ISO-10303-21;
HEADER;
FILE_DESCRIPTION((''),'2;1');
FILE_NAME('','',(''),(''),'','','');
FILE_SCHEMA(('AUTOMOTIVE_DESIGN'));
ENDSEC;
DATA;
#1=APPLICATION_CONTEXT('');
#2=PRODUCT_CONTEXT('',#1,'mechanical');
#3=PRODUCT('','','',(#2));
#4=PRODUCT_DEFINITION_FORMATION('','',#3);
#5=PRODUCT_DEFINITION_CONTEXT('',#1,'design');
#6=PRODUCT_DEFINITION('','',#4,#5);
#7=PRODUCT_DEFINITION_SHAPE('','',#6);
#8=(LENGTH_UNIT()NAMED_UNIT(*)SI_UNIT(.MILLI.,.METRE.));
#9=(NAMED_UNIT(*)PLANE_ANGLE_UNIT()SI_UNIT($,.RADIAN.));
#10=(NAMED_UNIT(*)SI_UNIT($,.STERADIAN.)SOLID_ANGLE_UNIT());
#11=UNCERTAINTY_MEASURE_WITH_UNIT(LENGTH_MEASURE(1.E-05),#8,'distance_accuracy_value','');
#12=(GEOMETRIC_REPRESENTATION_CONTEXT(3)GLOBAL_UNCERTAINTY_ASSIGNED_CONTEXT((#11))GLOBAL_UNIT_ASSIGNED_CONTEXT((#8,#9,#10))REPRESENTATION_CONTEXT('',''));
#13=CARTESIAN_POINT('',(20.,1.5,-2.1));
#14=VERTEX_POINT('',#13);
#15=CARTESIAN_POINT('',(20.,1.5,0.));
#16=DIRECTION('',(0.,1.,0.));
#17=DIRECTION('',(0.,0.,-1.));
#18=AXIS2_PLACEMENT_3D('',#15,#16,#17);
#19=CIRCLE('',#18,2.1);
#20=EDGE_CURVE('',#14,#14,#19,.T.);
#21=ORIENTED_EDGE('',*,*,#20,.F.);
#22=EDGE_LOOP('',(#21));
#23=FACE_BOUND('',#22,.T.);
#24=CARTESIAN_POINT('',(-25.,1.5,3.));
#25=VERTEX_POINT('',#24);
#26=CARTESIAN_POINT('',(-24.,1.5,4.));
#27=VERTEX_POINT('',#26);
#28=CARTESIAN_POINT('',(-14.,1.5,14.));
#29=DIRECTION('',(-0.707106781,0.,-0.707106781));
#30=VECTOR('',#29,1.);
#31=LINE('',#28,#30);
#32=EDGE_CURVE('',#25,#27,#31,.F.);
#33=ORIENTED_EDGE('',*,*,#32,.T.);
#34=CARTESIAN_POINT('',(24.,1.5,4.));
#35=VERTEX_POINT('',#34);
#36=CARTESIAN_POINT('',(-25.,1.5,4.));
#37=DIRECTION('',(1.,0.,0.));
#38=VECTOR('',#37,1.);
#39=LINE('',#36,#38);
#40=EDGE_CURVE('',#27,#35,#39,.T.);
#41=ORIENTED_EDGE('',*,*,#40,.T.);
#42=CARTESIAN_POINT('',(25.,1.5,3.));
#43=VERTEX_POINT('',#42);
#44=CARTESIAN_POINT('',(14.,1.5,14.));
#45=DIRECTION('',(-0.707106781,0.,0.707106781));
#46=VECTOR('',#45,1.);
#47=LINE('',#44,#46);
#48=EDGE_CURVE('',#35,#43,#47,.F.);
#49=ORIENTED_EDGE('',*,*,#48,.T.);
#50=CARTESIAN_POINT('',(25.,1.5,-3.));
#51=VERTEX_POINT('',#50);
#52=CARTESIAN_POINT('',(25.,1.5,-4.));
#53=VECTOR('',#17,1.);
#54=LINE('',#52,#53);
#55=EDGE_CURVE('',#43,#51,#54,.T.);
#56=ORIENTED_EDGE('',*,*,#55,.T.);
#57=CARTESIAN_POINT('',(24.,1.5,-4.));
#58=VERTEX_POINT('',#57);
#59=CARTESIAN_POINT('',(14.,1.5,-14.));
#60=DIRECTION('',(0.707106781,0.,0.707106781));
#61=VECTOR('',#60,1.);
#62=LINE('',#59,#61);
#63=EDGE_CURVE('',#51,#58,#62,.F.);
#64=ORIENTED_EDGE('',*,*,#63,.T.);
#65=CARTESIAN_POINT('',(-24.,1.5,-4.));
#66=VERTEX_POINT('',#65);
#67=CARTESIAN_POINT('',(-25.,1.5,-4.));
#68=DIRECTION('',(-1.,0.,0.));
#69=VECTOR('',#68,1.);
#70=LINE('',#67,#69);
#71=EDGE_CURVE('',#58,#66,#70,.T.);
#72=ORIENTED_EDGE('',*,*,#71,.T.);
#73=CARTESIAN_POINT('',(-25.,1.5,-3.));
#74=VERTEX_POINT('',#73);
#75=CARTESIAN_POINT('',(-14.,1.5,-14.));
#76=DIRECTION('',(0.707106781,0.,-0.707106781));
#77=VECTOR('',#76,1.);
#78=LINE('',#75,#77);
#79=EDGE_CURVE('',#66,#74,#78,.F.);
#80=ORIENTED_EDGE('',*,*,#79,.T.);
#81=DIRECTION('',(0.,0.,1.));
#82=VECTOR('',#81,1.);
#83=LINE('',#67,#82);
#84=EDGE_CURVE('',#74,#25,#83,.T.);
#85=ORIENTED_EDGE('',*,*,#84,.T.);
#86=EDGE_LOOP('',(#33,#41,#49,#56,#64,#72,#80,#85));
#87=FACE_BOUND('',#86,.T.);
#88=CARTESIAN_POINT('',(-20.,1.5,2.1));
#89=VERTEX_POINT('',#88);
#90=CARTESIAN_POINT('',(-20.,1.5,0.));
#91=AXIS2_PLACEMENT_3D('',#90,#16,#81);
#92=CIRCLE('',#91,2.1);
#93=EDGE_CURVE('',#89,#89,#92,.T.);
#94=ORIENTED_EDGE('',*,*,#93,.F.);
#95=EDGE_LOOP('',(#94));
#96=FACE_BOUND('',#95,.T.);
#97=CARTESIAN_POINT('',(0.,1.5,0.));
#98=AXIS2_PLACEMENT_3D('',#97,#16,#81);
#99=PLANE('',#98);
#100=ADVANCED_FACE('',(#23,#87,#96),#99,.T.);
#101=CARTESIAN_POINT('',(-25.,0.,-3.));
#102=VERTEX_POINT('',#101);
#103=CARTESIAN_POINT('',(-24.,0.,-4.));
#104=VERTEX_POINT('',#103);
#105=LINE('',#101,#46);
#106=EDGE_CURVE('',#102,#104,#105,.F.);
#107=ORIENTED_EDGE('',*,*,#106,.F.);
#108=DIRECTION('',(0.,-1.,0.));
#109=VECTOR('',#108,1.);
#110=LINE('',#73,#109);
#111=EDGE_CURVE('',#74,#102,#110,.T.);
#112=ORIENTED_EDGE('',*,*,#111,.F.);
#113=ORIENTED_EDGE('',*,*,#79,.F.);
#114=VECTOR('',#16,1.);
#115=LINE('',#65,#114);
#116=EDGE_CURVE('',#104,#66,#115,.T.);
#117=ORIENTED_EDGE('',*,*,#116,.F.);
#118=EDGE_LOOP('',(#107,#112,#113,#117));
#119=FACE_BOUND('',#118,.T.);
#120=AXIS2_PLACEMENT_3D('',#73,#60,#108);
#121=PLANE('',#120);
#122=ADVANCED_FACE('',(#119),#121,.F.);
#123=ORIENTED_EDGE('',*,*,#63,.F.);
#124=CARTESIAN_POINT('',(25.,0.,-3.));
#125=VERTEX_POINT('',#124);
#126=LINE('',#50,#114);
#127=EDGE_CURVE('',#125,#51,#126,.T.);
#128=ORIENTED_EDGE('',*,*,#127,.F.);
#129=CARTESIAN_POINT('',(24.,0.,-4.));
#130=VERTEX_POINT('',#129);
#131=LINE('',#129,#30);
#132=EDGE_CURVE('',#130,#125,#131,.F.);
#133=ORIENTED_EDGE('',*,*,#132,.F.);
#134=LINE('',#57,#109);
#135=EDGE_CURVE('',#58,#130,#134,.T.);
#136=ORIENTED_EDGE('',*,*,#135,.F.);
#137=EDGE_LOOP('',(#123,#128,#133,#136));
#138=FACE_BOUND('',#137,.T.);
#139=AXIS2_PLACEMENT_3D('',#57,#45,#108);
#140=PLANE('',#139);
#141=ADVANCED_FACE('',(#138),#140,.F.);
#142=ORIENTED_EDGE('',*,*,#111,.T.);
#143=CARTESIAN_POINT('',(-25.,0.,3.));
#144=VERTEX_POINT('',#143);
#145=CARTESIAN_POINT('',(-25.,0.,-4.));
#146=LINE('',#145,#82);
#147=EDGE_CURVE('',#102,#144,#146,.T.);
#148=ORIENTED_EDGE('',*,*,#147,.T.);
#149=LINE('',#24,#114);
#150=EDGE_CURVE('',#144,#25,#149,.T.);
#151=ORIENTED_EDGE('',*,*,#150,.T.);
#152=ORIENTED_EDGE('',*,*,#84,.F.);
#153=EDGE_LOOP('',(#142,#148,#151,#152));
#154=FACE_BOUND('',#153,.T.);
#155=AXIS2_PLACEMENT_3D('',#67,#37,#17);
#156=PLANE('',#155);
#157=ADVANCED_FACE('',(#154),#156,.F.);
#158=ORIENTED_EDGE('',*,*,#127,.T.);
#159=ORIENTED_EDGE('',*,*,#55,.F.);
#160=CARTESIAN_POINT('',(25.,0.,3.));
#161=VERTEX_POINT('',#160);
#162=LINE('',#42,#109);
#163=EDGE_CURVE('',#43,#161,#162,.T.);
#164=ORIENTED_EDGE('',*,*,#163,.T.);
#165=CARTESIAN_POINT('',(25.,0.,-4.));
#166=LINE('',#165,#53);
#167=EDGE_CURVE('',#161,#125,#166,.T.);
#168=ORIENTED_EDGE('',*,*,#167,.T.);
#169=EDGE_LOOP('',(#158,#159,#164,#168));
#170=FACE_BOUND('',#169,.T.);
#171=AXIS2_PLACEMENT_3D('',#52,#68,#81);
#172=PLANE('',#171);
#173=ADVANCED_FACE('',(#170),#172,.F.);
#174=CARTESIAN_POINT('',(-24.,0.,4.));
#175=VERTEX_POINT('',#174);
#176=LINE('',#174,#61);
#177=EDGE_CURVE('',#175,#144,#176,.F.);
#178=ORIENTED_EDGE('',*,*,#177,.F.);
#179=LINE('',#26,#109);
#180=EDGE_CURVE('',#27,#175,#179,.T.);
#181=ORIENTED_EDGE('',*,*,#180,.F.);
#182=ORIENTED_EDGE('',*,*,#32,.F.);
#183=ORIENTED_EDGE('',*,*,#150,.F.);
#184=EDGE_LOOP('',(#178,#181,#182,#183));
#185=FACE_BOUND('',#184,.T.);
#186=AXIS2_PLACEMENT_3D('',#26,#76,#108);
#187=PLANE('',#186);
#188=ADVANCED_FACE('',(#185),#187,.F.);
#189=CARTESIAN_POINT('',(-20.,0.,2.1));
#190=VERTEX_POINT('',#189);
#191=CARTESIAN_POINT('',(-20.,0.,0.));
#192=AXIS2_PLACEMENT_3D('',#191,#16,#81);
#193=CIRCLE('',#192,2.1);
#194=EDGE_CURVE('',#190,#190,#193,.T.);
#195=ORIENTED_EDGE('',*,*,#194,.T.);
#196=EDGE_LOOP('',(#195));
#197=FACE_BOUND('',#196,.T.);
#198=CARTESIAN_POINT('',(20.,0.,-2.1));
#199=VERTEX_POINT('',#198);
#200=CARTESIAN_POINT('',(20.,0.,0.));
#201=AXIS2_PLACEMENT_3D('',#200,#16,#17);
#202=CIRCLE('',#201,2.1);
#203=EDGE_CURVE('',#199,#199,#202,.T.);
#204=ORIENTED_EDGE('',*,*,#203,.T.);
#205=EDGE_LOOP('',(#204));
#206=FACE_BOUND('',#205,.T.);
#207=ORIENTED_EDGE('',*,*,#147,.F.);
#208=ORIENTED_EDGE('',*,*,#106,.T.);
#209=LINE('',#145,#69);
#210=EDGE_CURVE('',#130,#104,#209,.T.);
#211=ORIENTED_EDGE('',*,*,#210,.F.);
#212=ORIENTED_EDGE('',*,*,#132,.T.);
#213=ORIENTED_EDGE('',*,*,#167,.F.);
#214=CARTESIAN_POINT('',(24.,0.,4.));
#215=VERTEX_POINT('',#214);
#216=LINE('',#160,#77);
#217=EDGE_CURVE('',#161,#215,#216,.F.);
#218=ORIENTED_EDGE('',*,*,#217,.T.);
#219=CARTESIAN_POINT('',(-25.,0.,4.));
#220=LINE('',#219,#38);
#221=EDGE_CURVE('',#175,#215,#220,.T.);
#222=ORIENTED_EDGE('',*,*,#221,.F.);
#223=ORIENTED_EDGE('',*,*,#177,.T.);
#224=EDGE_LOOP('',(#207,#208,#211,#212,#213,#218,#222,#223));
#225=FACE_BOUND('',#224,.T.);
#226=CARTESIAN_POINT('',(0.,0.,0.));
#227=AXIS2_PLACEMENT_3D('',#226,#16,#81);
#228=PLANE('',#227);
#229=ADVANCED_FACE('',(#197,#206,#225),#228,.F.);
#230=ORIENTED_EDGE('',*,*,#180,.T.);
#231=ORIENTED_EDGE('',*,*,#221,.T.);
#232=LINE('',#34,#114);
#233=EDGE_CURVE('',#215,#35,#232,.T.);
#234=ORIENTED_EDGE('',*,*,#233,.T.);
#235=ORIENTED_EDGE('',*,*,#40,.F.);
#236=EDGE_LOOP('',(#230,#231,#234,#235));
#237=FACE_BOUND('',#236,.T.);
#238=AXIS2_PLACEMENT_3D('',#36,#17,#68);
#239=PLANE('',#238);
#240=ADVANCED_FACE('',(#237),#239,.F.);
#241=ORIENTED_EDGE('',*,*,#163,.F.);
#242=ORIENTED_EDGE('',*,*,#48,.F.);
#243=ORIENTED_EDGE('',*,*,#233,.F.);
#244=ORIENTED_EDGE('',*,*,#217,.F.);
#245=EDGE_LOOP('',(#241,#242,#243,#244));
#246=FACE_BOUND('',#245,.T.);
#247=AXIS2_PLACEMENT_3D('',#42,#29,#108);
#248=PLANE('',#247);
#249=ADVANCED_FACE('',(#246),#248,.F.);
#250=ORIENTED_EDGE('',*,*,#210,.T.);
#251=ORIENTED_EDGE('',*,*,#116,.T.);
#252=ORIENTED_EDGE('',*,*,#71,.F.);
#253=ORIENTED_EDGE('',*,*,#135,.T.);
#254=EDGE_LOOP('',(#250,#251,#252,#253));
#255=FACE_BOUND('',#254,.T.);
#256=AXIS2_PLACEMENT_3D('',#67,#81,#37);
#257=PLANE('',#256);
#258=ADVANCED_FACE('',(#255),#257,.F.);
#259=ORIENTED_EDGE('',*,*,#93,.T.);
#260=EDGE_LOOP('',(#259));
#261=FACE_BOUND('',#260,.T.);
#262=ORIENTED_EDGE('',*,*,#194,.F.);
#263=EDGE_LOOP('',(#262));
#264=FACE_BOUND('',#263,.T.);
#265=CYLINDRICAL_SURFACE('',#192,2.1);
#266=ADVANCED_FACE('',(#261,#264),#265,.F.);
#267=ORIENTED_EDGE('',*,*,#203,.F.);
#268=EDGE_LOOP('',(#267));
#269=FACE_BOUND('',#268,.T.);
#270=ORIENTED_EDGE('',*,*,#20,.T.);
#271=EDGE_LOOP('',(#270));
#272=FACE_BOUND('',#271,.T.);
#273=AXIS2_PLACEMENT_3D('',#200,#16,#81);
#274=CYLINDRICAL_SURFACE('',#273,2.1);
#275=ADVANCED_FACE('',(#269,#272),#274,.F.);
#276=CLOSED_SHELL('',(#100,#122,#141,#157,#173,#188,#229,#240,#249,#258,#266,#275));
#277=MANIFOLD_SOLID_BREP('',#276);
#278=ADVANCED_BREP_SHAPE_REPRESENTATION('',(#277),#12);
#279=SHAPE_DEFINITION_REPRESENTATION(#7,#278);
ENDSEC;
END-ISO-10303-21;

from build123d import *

# Parameters (mm, degrees)
SKETCH_1_W          = 50
SKETCH_1_H          = 8
EXTRUDE_1_DEPTH     = 1.5
SKETCH_2_R          = 2.1
CUT_EXTRUDE_1_DEPTH = 26.362373706
CHAMFER_1_SIZE      = 1


with BuildPart() as part:
    # 草图1 → 凸台-拉伸1 (new body)
    with BuildSketch(Plane(origin=(0, 0, 0), x_dir=(1, 0, 0), z_dir=(0, 1, 0))):
        Rectangle(SKETCH_1_W, SKETCH_1_H)
    extrude(amount=EXTRUDE_1_DEPTH)

    # 草图2 → 切除-拉伸1 (cut, through all)
    with BuildSketch(Plane(origin=(0, 1.5, 0), x_dir=(1, 0, 0), z_dir=(0, 1, 0))):
        with Locations(Location((-20, 0, 0), (0, 0, 270))):
            Circle(SKETCH_2_R)
        with Locations(Location((20, 0, 0), (0, 0, 90))):
            Circle(SKETCH_2_R)
    extrude(amount=-CUT_EXTRUDE_1_DEPTH, mode=Mode.SUBTRACT)

    # 倒角1
    chamfer_1_edges = [part.edges().sort_by_distance(p)[0] for p in [
        (25, 0.75, 4),
        (-25, 0.75, 4),
        (-25, 0.75, -4),
        (25, 0.75, -4),
    ]]
    chamfer(chamfer_1_edges, length=CHAMFER_1_SIZE)


solid = part.part
